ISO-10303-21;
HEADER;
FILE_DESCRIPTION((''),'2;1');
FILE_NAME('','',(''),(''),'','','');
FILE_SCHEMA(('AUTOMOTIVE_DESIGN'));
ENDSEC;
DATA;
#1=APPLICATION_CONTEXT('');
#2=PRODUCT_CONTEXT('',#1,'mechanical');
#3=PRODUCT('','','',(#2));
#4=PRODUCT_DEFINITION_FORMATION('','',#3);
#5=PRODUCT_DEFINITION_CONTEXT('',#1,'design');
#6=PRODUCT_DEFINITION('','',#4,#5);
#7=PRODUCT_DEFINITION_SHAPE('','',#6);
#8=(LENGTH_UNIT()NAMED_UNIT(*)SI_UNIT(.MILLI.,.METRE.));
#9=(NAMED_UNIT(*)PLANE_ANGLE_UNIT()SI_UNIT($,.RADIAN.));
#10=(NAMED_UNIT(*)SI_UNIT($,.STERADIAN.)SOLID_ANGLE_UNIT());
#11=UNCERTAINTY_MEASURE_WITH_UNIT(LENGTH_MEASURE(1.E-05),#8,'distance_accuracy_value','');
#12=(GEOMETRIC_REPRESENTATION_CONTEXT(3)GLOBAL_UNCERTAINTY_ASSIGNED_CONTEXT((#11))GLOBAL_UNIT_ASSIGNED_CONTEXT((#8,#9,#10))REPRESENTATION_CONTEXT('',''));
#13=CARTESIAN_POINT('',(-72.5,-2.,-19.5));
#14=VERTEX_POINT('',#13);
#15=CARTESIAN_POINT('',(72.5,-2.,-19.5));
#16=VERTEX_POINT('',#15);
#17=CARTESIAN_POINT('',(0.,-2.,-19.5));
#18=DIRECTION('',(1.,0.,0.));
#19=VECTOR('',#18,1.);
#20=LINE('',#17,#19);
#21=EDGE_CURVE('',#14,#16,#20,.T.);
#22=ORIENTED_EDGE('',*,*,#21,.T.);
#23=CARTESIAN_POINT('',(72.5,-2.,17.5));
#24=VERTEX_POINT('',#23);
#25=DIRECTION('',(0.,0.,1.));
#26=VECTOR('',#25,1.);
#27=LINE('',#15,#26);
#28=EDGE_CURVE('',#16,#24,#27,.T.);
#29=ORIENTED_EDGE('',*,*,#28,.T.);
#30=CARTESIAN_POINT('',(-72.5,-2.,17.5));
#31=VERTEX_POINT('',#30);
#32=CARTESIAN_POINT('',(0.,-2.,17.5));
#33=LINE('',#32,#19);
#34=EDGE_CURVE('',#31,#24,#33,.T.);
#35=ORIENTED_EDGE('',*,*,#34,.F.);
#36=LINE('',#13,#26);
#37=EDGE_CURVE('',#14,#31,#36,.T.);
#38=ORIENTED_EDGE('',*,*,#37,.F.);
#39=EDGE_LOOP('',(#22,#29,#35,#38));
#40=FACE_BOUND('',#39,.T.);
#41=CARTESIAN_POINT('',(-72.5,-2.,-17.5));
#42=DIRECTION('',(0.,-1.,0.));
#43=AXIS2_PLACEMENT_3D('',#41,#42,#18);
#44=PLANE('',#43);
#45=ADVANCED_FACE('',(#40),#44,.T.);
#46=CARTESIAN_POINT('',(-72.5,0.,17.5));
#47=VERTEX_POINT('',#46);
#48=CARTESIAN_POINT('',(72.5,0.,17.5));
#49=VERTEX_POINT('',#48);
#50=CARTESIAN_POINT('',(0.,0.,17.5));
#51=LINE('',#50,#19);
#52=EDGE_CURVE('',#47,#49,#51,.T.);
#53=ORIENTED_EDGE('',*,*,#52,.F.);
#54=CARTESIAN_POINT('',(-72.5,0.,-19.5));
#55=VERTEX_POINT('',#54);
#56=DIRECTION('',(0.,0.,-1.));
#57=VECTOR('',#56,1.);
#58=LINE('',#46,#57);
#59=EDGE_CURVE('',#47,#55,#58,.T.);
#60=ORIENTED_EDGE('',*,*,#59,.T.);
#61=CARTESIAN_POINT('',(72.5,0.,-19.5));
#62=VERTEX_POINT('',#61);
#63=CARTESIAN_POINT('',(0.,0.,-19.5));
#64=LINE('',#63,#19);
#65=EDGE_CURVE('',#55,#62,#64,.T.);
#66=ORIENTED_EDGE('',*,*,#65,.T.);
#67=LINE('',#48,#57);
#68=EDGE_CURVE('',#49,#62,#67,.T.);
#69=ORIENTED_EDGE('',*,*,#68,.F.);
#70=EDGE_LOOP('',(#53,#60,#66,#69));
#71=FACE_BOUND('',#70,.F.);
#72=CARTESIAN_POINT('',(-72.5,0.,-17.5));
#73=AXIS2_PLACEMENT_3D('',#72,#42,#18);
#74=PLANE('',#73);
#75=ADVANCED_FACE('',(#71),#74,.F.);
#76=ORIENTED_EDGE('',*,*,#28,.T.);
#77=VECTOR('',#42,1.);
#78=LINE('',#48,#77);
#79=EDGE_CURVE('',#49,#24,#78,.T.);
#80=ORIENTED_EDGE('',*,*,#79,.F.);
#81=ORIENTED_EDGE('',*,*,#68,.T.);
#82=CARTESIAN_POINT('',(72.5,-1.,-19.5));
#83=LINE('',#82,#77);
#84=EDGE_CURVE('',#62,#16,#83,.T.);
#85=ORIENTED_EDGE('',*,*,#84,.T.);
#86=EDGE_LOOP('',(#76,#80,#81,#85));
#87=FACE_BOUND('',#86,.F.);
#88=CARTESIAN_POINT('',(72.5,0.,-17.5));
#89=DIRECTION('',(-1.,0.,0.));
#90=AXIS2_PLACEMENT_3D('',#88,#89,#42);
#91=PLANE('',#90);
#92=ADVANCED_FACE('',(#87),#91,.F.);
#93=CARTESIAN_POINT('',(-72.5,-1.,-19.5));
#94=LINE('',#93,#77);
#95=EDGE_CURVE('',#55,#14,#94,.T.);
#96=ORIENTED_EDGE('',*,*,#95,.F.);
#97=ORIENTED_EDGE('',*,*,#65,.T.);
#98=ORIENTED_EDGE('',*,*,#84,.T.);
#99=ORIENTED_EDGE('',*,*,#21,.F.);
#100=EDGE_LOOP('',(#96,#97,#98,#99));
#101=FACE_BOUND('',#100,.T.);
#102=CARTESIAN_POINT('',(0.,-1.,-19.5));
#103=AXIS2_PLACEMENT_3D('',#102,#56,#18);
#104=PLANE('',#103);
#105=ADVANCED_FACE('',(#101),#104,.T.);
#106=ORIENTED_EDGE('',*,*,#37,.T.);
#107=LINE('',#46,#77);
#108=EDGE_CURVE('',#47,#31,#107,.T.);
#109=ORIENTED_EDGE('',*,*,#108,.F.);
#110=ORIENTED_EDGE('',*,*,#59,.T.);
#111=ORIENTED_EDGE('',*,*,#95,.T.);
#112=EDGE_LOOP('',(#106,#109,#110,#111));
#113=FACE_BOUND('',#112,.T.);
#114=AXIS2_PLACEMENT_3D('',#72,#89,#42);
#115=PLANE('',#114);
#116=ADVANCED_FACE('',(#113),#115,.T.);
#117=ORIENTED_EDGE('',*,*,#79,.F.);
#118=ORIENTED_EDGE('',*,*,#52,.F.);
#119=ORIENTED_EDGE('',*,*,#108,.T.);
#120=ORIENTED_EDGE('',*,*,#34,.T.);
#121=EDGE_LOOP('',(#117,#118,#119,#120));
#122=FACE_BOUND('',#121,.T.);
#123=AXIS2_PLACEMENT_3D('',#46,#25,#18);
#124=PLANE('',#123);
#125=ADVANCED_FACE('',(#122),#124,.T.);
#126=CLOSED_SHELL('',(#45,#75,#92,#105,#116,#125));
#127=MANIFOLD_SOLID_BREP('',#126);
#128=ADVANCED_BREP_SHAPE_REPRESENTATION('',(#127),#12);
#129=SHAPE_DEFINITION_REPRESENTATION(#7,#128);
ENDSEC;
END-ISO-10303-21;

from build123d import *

# Parameters (mm, degrees)
F0_W     = 145
F0_H     = 35
F1_DEPTH = 2
F2_W     = 145
F2_H     = 2
F3_DEPTH = 2


with BuildPart() as f1:
    # F0 (on Front) → F1 (new body)
    with BuildSketch(Plane.XZ):
        Rectangle(F0_W, F0_H)
    extrude(amount=F1_DEPTH)

    # F2 (on face) → F3 (join)
    with BuildSketch(Plane(origin=(0, 0, -17.5), x_dir=(1, 0, 0), z_dir=(0, 0, -1))):
        with Locations((0, 1)):
            Rectangle(F2_W, F2_H)
    extrude(amount=F3_DEPTH)


solid = f1.part
